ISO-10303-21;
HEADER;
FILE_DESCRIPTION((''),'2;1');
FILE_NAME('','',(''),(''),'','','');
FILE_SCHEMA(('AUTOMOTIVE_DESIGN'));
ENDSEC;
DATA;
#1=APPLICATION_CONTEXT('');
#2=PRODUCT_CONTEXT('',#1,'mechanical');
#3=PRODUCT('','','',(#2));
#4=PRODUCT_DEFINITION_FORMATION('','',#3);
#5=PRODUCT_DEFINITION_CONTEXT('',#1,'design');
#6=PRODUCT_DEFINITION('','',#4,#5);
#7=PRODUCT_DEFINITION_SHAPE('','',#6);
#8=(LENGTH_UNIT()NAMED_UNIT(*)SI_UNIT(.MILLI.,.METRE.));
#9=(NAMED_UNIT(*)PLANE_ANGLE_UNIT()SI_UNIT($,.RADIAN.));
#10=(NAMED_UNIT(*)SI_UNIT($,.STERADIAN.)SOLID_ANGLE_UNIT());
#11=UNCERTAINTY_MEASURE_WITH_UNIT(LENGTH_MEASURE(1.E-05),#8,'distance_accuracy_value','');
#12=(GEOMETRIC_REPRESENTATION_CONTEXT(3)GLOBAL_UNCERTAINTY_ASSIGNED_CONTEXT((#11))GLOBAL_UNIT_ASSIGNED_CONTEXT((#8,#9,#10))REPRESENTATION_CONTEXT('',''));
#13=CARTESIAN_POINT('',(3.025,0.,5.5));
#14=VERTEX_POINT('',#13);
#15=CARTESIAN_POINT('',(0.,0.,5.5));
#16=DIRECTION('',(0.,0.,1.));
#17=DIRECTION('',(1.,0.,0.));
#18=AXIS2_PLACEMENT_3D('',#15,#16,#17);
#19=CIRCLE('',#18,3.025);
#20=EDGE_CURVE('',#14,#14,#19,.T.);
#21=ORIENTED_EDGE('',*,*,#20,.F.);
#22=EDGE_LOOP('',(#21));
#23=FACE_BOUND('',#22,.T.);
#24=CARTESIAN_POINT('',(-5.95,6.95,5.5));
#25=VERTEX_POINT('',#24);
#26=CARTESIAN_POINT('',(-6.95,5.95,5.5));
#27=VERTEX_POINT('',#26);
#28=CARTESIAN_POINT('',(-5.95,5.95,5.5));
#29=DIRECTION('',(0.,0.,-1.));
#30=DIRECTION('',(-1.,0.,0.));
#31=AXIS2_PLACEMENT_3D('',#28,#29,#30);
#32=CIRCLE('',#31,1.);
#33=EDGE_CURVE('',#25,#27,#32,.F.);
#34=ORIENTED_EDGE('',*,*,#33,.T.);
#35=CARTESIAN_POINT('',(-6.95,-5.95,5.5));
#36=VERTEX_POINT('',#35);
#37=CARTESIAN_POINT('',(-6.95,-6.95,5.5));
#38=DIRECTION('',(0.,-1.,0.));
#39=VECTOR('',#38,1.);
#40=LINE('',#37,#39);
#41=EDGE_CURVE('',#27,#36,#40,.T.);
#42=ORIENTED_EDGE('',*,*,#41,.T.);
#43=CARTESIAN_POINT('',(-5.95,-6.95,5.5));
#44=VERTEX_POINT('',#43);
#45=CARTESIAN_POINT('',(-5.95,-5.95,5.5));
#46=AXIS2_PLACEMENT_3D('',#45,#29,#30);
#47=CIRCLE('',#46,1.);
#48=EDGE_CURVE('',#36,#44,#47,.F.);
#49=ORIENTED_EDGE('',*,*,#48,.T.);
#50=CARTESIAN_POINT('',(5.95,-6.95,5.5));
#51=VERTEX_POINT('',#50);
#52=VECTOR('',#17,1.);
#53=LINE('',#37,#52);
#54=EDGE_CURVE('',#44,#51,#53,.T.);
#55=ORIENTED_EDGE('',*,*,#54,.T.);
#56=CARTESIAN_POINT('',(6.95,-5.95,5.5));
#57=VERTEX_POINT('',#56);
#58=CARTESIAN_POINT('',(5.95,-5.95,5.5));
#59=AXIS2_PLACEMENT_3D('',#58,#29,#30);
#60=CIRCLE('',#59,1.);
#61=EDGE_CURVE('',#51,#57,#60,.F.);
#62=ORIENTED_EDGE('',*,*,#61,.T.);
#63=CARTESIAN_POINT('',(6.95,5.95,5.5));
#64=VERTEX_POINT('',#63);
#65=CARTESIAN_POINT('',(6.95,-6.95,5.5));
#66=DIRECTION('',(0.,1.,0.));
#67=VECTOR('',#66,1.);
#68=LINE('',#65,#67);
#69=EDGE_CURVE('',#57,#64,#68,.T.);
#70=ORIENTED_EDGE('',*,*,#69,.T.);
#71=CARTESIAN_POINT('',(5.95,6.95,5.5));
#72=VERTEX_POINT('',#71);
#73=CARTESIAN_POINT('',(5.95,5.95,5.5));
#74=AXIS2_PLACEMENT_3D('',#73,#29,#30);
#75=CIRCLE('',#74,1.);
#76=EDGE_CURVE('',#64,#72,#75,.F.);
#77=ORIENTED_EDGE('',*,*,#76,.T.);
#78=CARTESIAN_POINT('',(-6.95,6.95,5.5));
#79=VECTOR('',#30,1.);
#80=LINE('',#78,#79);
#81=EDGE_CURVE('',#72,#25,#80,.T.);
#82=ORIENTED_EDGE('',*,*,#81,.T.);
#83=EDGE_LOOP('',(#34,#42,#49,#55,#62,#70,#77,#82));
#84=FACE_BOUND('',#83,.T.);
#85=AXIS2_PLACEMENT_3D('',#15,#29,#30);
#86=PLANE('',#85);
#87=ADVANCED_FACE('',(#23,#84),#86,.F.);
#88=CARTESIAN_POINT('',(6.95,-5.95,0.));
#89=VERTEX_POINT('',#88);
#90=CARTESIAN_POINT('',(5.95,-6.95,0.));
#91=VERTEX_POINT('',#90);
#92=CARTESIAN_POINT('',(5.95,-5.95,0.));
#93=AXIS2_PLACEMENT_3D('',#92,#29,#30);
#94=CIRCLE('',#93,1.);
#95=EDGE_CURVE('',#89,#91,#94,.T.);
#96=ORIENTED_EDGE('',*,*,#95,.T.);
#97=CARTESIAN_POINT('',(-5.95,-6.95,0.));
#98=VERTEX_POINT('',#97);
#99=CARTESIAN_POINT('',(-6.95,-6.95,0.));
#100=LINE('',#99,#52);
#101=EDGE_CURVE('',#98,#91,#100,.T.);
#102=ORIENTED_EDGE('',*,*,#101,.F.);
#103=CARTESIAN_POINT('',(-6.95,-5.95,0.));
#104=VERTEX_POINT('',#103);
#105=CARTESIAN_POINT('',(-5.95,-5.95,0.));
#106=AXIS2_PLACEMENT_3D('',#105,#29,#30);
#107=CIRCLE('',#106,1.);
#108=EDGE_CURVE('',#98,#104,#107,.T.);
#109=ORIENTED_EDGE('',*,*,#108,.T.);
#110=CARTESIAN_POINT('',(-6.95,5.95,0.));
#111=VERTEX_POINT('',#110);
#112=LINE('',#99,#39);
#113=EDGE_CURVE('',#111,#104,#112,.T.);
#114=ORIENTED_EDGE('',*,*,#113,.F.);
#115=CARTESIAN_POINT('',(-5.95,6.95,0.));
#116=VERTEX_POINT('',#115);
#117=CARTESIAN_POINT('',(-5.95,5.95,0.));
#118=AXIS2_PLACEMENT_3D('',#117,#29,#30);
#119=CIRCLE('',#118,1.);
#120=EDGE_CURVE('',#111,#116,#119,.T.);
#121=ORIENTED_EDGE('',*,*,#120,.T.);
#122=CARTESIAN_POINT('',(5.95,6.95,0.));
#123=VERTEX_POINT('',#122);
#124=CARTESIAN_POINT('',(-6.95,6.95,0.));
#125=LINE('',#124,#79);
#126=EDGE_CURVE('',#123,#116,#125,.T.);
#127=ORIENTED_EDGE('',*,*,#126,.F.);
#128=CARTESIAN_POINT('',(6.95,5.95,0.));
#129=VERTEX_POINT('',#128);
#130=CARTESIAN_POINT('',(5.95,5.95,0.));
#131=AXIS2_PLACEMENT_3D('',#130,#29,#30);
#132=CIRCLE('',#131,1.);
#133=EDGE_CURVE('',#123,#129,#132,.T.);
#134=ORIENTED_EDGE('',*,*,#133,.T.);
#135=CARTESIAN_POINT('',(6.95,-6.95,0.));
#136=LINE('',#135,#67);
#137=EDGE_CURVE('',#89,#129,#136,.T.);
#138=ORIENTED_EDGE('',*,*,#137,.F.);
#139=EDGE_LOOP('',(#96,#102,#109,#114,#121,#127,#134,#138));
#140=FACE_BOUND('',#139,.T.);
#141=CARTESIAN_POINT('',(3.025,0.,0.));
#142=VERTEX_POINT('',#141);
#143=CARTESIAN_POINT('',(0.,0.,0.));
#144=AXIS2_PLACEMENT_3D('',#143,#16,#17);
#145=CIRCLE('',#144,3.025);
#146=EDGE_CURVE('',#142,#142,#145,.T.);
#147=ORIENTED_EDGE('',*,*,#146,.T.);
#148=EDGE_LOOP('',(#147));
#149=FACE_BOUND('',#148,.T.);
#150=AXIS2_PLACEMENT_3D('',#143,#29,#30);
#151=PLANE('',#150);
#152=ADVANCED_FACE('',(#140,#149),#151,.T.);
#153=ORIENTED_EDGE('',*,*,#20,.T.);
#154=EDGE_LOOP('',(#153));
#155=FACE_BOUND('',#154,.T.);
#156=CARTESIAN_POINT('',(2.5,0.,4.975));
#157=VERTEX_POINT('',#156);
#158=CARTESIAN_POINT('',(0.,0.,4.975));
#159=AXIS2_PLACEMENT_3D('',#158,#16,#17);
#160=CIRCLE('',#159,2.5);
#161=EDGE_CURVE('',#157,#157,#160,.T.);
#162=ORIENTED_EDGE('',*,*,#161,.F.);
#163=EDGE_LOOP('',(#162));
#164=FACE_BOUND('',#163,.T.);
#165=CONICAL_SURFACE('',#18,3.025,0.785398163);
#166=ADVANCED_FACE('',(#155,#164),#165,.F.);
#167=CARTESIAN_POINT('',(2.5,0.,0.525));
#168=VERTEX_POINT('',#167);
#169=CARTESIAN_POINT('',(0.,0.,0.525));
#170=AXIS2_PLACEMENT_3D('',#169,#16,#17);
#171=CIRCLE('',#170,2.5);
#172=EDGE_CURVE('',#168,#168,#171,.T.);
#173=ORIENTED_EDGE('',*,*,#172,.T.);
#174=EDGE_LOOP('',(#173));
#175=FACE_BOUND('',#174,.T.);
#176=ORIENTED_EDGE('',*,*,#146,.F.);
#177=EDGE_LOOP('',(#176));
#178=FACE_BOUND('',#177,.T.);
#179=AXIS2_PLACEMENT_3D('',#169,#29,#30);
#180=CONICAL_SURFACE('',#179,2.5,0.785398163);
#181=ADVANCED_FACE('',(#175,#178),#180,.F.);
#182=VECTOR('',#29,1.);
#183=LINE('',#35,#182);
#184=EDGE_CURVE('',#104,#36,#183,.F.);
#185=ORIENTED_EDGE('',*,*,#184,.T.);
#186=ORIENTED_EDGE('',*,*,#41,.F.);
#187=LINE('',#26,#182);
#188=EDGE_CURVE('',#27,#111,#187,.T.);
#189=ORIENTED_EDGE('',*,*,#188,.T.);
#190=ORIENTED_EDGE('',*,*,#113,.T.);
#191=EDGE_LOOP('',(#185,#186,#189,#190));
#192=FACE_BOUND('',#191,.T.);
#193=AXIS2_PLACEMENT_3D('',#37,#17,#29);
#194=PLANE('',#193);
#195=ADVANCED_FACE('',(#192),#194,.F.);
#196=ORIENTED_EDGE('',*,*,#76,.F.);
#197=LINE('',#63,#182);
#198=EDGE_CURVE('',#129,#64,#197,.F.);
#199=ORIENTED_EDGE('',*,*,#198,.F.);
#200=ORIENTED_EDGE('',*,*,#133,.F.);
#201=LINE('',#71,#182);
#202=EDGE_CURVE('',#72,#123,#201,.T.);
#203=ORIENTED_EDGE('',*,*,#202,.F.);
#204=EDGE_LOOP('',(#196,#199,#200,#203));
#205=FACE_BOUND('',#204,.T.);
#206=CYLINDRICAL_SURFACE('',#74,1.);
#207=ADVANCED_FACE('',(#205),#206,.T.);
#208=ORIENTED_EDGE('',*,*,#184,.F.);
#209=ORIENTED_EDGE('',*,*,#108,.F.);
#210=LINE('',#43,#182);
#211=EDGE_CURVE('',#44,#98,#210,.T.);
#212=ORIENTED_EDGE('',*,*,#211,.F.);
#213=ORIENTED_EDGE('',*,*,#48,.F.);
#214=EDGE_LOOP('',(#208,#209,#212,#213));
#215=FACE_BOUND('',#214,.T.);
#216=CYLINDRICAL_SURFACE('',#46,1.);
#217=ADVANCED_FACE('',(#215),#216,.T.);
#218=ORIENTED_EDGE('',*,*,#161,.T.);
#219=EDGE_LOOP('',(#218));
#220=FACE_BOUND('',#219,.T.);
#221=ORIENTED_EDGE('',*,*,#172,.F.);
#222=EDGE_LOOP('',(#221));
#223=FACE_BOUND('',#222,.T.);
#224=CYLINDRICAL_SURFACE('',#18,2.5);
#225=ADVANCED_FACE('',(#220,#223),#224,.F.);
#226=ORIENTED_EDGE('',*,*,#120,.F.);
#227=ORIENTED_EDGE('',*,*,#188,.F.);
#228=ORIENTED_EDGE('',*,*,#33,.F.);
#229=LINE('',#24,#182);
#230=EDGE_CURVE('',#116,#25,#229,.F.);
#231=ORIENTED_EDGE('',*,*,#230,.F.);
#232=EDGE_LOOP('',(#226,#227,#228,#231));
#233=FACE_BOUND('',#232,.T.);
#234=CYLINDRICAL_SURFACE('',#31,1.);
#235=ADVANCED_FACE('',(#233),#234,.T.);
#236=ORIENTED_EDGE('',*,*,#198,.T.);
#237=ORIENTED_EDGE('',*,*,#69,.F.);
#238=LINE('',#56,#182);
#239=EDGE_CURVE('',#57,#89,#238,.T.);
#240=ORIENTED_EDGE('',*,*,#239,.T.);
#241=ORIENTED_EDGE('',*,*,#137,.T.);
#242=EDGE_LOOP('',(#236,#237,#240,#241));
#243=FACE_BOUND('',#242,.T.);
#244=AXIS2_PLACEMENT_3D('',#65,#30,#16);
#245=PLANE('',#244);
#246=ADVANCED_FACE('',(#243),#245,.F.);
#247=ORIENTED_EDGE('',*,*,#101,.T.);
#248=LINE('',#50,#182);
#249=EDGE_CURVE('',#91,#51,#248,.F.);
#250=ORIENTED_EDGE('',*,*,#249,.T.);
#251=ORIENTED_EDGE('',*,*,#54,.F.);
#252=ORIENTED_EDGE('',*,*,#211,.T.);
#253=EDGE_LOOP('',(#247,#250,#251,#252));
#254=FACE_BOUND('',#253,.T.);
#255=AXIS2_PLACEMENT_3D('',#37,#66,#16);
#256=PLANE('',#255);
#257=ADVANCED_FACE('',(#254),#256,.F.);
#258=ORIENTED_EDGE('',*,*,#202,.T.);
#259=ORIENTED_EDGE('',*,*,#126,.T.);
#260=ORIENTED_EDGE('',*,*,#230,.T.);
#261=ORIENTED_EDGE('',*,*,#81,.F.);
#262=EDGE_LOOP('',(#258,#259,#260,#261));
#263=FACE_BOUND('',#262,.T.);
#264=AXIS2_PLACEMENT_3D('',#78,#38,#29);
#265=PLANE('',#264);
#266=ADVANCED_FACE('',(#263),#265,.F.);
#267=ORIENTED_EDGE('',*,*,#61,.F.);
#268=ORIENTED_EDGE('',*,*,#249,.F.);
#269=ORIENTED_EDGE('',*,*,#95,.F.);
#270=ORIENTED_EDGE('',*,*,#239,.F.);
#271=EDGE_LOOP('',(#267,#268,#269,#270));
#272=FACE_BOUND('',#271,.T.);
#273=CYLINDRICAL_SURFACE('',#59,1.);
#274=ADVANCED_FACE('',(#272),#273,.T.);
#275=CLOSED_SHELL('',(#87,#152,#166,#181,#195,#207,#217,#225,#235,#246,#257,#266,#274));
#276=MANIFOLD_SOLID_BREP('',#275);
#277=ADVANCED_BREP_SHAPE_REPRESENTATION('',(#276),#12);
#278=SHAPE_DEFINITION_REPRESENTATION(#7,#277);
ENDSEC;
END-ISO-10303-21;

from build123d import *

# Parameters (mm, degrees)
SKETCH_1_W      = 13.9
SKETCH_1_H      = 13.9
EXTRUDE_1_DEPTH = 5.5
FILLET_1_R      = 1


with BuildPart() as part:
    # Эскиз1 → Бобышка-Вытянуть1 (new body)
    with BuildSketch(Plane.XY):
        Rectangle(SKETCH_1_W, SKETCH_1_H)
    extrude(amount=EXTRUDE_1_DEPTH)

    # Эскиз3 → Отверстие обработанное метчиком M61 (revolve, cut)
    with BuildSketch(Plane(origin=(0, 0, 5.5), x_dir=(0, -1, 0), z_dir=(1, 0, 0))):
        Polygon((0, 0), (0, 5.5), (3.025, 5.5), (2.5, 4.975), (2.5, 0.525), (3.025, 0), align=None)
    revolve(axis=Axis((0, 0, 11.85), (0, 0, -1)), mode=Mode.SUBTRACT)

    # Скругление1
    fillet_1_edges = [part.edges().sort_by_distance(p)[0] for p in [
        (6.95, -6.95, 2.75),
        (-6.95, -6.95, 2.75),
        (-6.95, 6.95, 2.75),
        (6.95, 6.95, 2.75),
    ]]
    fillet(fillet_1_edges, radius=FILLET_1_R)


solid = part.part
